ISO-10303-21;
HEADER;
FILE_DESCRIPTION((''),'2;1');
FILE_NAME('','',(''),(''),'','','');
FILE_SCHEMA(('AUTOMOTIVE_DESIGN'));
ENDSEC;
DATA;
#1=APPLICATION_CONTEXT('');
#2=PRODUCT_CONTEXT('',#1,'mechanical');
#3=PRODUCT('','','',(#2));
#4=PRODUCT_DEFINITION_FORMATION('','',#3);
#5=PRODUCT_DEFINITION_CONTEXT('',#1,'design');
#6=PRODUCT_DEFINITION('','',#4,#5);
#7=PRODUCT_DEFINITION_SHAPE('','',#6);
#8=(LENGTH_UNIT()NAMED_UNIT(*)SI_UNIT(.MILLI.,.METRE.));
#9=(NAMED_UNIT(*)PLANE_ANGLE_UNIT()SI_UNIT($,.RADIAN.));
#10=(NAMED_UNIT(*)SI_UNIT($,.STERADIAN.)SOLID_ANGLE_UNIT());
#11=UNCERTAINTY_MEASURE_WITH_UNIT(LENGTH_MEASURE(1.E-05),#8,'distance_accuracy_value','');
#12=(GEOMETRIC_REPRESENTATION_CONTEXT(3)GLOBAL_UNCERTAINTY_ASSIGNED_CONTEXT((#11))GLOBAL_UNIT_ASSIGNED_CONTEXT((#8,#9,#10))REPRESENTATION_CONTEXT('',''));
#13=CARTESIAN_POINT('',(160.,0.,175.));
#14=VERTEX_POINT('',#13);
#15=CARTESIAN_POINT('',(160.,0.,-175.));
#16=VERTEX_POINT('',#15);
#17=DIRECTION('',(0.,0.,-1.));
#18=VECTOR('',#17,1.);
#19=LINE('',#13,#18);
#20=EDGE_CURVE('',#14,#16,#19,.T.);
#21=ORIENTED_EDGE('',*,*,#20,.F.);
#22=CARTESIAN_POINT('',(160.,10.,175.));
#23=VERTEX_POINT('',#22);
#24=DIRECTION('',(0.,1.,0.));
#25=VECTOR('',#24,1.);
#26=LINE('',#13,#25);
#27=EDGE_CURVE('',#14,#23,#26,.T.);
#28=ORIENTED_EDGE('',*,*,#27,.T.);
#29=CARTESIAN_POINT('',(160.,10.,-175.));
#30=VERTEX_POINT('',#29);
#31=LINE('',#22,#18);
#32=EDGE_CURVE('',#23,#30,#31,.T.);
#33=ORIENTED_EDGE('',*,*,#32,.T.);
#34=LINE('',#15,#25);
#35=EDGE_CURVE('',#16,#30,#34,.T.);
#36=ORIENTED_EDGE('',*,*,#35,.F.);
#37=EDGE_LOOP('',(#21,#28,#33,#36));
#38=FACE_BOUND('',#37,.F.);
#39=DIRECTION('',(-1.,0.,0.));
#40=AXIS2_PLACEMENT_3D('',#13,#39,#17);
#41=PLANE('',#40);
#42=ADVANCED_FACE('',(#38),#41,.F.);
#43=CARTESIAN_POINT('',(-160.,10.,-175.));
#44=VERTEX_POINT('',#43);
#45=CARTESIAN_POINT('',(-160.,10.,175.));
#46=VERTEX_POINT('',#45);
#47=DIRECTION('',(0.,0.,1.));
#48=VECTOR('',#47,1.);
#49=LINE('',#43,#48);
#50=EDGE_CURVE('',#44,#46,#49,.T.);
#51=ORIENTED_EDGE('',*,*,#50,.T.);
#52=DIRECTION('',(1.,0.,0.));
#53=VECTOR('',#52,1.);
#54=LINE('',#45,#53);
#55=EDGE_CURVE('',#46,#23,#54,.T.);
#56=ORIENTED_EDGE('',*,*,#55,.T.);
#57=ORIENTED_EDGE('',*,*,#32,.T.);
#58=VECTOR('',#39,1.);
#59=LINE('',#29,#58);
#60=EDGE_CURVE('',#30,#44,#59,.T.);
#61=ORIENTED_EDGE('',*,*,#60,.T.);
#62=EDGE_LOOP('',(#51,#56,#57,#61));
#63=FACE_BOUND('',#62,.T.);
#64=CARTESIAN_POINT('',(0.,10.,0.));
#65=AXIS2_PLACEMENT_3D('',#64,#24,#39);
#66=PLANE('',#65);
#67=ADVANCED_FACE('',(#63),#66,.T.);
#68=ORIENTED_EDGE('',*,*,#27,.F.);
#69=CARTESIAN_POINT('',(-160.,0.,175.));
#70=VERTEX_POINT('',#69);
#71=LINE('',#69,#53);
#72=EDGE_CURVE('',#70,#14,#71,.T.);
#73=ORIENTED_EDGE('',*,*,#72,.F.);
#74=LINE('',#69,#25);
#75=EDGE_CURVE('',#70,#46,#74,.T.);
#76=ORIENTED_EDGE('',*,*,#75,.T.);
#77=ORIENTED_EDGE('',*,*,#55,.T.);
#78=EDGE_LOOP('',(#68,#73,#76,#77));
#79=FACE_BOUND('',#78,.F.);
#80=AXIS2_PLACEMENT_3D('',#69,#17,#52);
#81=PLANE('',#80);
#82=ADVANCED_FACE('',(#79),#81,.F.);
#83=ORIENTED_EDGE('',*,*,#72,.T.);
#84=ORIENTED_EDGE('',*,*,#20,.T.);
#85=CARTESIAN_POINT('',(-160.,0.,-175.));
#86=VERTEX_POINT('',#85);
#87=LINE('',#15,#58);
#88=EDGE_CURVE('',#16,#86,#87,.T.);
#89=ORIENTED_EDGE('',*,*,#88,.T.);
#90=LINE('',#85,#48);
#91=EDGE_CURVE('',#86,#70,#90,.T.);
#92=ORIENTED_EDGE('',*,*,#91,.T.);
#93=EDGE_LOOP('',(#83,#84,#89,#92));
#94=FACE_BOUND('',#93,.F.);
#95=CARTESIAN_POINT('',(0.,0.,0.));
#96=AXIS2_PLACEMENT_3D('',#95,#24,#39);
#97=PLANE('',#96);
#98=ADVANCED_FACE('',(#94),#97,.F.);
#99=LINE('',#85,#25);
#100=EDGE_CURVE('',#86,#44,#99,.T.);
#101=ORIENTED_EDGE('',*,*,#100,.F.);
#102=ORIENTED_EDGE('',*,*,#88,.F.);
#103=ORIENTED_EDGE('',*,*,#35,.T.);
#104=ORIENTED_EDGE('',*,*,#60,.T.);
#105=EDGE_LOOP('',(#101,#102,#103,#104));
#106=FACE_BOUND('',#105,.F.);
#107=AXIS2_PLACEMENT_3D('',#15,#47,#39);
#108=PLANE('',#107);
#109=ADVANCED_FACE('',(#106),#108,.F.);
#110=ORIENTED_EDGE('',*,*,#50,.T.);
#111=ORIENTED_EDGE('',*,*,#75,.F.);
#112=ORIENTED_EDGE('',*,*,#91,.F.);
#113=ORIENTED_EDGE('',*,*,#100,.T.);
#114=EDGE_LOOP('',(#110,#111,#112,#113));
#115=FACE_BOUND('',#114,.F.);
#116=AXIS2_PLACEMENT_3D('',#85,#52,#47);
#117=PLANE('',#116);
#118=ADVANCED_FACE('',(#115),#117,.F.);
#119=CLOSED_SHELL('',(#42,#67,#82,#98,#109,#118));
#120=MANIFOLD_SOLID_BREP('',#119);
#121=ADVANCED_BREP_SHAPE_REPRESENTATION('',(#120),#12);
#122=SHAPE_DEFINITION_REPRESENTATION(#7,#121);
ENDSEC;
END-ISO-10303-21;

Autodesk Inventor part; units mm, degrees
ref_plane "YZ Plane" through (0, 0, 0) normal (1, 0, 0) x (0, 1, 0)
ref_plane "XZ Plane" through (0, 0, 0) normal (0, 1, 0) x (-1, 0, 0)
ref_plane "XY Plane" through (0, 0, 0) normal (0, 0, 1) x (1, 0, 0)
sketch "Sketch1" plane through (0, 0, 0) normal (0, 1, 0) x (-1, 0, 0)
  line L0 (-160, -175) -> (160, -175)
  line L1 (160, -175) -> (160, 175)
  line L2 (160, 175) -> (-160, 175)
  line L3 (-160, 175) -> (-160, -175)
  line L4 (-160, -175) -> (160, 175) construction
  line L5 (160, -175) -> (-160, 175) construction
  point P0 (0, 0)
  dimension "d0" = 350
  dimension "d1" = 320
extrude "Extrusion1" add sketch "Sketch1" along normal blind 10
properties part number "wooden_base"
